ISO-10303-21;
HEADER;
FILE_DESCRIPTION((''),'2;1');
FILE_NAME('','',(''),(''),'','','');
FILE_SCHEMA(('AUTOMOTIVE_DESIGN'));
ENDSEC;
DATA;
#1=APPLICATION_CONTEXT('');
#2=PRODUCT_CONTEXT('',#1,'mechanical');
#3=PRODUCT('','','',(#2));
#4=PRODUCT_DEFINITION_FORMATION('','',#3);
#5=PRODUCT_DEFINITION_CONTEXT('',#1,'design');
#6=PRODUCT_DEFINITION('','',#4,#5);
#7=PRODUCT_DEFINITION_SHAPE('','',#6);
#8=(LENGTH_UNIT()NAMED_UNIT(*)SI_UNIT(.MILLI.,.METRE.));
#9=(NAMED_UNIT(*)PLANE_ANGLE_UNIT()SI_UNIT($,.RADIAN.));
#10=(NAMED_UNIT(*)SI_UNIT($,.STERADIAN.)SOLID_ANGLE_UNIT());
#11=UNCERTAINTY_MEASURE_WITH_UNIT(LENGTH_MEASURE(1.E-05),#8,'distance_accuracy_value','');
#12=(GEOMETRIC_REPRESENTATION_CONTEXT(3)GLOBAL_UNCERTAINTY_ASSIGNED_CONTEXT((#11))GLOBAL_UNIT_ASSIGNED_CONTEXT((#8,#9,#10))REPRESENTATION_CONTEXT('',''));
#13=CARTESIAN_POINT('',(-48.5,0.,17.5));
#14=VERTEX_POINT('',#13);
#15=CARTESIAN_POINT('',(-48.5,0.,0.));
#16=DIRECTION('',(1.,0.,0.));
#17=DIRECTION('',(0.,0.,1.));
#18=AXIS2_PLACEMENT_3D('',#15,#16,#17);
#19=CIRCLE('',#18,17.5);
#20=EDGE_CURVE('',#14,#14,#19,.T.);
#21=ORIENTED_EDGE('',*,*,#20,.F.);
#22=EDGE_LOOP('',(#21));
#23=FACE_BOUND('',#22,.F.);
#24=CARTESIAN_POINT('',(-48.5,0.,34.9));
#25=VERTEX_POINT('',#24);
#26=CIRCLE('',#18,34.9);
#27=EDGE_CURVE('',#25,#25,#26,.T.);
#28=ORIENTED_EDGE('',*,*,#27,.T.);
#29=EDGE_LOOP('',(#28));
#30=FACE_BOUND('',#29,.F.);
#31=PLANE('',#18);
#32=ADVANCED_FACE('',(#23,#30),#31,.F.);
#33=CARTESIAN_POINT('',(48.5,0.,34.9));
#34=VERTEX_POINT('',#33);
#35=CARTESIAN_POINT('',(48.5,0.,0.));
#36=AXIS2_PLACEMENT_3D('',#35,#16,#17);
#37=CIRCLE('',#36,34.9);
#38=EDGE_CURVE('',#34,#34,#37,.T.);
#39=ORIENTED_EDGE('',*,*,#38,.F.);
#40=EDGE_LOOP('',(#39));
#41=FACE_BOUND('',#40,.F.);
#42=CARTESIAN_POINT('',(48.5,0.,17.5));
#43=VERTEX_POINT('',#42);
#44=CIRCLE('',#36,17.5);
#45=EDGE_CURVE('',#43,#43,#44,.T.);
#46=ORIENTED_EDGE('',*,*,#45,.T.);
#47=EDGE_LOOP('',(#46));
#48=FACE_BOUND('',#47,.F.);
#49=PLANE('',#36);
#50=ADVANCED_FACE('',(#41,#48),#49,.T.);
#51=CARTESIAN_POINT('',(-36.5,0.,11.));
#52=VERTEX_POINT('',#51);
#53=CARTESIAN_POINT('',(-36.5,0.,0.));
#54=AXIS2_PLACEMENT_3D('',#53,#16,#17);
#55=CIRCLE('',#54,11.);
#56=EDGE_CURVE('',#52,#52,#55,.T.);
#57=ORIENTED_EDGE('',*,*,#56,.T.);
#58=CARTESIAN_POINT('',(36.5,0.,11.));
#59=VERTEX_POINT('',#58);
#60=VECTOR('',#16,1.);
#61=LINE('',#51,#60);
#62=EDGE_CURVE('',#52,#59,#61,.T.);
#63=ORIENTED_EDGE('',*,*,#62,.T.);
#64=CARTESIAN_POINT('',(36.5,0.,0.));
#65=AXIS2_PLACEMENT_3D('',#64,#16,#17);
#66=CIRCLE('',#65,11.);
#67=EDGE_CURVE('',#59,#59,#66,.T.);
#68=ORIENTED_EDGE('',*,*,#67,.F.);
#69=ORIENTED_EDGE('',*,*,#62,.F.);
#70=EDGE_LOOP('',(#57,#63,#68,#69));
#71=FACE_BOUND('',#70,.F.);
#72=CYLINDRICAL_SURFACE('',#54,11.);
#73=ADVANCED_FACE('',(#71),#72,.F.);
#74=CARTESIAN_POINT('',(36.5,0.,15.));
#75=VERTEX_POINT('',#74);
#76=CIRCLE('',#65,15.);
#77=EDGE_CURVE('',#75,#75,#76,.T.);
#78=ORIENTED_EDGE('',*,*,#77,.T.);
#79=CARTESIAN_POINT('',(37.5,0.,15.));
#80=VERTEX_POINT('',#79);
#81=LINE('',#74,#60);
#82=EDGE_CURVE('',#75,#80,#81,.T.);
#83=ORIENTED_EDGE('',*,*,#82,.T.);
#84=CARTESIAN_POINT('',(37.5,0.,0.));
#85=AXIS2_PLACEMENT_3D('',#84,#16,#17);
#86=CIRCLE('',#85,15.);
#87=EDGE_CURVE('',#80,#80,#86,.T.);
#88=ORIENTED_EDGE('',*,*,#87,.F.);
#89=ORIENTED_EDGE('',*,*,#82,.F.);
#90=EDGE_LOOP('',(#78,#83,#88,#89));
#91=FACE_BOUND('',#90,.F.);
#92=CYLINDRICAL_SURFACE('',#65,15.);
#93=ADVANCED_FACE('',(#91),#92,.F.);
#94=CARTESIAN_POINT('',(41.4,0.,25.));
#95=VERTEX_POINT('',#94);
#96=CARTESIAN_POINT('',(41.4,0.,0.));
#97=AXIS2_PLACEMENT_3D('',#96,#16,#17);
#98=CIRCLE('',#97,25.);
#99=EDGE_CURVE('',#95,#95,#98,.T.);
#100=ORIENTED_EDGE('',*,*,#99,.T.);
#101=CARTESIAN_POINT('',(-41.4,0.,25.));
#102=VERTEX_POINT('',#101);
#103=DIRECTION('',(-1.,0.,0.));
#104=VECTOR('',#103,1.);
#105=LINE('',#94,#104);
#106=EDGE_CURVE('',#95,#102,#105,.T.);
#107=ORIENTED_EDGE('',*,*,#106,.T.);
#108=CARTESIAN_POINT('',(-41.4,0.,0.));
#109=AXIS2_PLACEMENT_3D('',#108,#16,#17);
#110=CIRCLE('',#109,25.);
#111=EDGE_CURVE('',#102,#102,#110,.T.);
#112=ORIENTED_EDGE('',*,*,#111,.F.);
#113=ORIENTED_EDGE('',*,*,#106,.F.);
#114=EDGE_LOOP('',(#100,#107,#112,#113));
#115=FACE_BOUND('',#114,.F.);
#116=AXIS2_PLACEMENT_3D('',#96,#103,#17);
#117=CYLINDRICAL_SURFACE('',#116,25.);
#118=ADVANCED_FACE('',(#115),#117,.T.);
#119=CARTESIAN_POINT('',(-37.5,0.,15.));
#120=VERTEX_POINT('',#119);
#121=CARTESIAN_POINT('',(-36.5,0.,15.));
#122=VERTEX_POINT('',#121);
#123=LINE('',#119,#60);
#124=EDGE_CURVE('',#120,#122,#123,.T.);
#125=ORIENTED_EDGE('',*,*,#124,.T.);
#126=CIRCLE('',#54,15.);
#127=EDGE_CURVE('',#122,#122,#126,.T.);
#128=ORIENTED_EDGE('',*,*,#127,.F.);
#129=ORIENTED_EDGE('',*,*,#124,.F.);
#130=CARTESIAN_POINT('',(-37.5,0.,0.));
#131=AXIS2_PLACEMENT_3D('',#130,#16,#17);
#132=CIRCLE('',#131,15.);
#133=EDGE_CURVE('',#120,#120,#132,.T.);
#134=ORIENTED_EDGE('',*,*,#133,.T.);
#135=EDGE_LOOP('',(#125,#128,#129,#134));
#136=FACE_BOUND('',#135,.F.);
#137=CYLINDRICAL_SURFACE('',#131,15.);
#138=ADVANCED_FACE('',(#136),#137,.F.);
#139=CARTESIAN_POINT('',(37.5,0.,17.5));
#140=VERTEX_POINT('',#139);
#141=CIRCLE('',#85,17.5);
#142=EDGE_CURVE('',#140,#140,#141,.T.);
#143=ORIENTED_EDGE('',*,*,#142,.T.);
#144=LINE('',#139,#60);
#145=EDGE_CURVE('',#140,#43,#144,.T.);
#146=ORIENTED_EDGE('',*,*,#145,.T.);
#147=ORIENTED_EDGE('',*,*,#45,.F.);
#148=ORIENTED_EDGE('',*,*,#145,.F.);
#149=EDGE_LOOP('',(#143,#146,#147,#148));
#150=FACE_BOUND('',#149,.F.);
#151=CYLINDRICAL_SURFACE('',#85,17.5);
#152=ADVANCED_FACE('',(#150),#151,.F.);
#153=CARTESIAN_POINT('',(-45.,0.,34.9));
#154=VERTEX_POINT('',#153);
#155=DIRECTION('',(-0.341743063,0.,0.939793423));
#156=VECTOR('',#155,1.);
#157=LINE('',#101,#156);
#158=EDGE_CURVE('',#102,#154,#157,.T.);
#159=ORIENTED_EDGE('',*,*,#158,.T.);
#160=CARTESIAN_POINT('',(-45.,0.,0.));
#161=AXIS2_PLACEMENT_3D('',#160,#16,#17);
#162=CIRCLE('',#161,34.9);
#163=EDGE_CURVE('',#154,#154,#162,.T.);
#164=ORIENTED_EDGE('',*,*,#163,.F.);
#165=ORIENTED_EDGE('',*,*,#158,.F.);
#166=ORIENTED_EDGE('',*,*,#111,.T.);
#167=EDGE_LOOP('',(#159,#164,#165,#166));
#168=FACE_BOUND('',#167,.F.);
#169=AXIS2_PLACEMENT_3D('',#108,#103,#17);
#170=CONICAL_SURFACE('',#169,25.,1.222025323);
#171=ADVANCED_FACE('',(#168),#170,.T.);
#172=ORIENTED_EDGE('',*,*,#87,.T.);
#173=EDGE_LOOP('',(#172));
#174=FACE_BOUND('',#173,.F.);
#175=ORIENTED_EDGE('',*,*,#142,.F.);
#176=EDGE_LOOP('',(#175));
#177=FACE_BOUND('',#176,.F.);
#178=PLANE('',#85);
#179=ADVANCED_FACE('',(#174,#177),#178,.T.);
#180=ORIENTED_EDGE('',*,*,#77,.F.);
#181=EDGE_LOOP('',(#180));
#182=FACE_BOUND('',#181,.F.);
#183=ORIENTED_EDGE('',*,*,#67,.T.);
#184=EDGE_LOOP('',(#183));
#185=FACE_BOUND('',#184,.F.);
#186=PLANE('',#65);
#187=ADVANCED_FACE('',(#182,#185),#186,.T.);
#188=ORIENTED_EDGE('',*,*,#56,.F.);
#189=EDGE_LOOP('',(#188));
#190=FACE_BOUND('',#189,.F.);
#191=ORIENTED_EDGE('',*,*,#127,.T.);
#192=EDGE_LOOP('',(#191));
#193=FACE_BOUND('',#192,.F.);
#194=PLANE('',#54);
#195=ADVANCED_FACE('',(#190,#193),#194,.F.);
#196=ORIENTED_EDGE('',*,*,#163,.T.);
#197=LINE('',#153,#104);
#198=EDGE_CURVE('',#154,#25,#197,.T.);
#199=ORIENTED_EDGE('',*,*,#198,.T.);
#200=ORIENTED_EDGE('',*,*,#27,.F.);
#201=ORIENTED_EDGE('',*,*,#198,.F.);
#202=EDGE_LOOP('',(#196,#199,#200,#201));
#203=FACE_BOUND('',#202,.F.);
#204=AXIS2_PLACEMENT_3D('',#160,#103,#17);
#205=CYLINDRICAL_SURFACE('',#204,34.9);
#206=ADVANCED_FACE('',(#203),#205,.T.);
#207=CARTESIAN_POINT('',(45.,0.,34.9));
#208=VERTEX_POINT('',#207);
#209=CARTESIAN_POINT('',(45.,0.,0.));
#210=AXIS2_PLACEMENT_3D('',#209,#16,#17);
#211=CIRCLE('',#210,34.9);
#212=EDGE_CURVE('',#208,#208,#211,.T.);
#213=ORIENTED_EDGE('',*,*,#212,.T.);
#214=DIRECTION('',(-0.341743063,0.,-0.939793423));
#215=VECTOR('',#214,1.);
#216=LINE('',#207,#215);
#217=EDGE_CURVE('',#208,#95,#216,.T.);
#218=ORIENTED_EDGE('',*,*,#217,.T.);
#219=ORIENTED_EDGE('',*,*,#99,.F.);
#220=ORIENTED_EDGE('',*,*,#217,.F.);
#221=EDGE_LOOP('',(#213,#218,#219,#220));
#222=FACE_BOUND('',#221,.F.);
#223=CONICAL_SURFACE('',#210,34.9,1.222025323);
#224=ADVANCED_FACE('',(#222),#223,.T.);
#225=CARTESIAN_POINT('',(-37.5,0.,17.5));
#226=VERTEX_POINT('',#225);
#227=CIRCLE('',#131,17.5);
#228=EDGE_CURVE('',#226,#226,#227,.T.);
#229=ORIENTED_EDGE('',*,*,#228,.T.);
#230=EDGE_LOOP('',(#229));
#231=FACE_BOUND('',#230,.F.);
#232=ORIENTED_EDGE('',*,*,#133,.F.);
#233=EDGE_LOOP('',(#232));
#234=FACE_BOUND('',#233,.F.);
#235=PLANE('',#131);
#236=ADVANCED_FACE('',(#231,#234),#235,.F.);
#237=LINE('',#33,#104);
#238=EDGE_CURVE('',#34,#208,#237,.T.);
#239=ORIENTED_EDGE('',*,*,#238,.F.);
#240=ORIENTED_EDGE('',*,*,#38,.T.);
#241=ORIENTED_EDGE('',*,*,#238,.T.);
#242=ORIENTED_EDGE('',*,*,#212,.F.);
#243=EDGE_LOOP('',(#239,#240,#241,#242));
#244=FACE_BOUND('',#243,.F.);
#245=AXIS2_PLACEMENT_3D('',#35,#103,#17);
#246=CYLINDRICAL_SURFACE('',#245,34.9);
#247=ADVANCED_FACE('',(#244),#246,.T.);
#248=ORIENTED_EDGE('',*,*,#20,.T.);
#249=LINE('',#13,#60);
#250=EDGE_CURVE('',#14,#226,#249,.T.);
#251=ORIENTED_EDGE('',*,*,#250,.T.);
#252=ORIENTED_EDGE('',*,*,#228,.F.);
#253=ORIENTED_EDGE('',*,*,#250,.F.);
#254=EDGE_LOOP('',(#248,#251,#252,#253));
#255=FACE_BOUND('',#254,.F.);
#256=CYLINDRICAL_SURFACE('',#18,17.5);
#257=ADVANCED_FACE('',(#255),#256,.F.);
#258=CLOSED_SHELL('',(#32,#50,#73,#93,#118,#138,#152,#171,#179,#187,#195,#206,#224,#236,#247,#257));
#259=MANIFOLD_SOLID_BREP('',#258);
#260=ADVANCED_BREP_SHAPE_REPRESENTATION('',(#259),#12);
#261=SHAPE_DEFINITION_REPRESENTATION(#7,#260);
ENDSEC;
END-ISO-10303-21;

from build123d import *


with BuildPart() as f1:
    # F0 (on Front) → F1 (revolve)
    with BuildSketch(Plane.XZ):
        Polygon((41.4, 25), (0, 25), (-41.4, 25), (-45, 34.9), (-48.5, 34.9), (-48.5, 17.5), (-37.5, 17.5), (-37.5, 15), (-36.5, 15), (-36.5, 11), (0, 11), (36.5, 11), (36.5, 15), (37.5, 15), (37.5, 17.5), (48.5, 17.5), (48.5, 34.9), (45, 34.9), align=None)
    revolve(axis=Axis((3.210995, 0, 0), (1, 0, 0)))


solid = f1.part
